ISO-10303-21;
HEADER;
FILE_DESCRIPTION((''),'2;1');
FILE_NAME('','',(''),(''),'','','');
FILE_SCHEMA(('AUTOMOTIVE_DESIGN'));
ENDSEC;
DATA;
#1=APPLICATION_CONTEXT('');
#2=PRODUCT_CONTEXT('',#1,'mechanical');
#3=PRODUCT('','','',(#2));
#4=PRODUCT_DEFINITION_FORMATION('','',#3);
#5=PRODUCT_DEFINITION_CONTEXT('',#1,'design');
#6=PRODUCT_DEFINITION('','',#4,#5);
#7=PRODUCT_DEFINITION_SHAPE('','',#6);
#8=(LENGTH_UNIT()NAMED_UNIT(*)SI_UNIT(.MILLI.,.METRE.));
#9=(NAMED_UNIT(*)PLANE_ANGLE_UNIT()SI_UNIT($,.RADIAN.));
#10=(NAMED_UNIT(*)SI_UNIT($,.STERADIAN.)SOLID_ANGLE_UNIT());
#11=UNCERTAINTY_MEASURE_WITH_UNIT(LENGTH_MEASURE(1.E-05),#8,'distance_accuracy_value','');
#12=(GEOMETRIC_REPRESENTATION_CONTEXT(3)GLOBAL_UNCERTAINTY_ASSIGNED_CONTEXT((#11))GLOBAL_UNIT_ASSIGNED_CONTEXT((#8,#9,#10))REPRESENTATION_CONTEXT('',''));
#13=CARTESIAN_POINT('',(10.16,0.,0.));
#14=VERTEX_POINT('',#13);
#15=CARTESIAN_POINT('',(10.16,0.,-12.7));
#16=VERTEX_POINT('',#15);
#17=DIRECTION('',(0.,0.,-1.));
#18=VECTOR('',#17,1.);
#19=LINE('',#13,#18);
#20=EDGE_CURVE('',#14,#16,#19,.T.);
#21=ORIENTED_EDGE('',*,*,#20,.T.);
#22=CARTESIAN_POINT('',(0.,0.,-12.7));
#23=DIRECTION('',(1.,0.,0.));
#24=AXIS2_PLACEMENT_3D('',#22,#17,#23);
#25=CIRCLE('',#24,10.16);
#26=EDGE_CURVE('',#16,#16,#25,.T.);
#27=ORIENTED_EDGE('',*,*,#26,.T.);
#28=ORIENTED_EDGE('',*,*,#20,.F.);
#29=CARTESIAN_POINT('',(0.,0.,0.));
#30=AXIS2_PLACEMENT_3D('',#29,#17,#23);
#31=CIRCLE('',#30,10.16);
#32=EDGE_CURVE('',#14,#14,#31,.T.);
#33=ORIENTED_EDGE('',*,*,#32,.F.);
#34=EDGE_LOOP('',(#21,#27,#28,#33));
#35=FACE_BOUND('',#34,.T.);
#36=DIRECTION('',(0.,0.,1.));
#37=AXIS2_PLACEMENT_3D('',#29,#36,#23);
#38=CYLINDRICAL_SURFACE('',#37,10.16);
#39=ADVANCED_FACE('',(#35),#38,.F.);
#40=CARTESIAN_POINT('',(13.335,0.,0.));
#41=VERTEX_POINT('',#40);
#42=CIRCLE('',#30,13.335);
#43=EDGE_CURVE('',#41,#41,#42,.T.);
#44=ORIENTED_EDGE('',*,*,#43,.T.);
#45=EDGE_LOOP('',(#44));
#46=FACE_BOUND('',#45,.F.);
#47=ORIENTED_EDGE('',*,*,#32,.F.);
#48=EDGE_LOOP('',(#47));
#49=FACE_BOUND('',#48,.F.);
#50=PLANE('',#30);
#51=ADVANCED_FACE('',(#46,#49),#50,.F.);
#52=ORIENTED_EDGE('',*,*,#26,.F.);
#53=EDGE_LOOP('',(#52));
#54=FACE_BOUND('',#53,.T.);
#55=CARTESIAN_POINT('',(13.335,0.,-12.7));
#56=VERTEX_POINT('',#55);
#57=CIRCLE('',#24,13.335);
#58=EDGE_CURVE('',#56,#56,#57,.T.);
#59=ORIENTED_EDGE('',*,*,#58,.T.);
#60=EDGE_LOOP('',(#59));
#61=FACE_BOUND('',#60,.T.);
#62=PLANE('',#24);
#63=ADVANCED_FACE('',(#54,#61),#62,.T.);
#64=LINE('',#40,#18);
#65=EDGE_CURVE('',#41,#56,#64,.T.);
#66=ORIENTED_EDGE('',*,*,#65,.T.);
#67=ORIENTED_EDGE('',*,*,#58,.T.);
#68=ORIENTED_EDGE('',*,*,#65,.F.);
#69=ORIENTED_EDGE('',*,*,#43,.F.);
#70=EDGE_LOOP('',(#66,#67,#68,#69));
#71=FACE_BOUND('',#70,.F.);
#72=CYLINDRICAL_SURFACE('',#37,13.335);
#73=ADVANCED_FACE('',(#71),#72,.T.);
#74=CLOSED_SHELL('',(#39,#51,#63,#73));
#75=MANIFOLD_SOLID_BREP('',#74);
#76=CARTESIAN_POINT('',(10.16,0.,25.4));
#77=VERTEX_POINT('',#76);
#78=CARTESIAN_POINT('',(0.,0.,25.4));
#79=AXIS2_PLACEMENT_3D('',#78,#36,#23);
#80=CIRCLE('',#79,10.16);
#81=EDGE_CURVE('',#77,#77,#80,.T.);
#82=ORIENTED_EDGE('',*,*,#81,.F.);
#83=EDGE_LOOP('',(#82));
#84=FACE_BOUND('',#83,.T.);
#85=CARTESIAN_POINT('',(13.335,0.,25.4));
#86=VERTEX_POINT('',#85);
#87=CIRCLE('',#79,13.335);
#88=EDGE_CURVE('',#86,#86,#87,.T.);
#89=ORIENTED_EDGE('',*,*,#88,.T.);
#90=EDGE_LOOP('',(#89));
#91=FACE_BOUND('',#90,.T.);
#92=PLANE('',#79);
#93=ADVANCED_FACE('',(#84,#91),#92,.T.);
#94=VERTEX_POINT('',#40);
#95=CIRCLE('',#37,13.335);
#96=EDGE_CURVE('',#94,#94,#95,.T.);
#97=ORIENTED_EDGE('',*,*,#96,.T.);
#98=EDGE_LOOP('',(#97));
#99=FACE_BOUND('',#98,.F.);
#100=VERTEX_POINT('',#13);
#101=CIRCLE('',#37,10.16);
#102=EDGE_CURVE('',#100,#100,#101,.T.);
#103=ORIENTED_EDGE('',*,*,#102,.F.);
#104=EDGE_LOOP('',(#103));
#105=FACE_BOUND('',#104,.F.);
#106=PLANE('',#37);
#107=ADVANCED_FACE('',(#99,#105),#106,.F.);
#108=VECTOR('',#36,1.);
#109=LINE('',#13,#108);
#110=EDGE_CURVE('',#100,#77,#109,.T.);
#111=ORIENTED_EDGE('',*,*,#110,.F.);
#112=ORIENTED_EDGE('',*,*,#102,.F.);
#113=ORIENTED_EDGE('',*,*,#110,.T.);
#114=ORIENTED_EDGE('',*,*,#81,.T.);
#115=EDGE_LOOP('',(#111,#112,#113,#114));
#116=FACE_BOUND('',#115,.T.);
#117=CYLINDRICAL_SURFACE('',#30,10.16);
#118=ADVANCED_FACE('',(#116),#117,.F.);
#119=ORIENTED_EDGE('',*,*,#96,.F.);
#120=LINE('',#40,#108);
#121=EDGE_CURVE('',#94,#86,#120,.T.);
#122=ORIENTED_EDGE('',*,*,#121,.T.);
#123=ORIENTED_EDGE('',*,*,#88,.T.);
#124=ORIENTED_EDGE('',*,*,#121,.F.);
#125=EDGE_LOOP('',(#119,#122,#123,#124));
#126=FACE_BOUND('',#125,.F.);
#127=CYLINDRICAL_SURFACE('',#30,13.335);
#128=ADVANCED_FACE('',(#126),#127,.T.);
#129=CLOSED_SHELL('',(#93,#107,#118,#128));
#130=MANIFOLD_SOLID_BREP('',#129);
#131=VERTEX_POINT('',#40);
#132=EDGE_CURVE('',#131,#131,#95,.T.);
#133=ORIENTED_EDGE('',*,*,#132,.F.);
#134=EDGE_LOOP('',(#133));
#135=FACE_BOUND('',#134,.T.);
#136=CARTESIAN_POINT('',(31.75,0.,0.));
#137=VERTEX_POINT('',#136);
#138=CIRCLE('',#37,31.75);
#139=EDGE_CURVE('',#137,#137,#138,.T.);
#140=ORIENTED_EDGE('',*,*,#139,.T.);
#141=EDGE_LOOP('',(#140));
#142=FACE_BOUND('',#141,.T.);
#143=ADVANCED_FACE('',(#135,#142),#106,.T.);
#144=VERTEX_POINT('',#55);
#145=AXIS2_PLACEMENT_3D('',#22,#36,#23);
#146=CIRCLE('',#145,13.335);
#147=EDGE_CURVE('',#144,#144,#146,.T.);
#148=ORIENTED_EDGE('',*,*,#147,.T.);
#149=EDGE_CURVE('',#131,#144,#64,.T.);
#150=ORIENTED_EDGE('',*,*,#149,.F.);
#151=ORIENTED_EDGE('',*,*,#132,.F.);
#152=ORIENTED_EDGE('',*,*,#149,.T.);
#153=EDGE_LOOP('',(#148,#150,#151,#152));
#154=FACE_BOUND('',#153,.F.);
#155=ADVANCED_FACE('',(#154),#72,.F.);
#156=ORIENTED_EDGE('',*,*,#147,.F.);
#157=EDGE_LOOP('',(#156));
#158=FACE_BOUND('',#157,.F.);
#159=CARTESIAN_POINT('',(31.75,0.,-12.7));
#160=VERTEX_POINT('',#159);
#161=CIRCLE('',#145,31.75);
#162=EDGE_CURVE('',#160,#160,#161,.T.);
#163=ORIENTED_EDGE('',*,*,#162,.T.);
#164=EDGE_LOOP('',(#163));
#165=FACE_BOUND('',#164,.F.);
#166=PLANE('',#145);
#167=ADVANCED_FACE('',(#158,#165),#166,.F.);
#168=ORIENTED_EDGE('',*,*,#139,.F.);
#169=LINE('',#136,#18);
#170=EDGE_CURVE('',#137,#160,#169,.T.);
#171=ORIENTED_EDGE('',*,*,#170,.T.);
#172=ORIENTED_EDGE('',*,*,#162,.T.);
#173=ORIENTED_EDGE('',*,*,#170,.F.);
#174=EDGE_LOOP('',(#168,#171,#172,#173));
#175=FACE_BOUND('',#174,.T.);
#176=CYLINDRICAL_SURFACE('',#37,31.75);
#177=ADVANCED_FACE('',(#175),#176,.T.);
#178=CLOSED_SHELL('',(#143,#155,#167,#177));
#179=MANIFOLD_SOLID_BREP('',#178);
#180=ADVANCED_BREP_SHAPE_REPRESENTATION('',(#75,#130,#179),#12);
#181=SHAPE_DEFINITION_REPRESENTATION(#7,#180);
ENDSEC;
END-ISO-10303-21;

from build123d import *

# Parameters (mm, degrees)
F0_R        = 13.335
F0_R_2      = 10.16
F1_DEPTH    = 25.4
F0_R_3      = 31.75
F2_DEPTH    = 12.7
F1_FACE_R   = 13.335
F1_FACE_R_2 = 10.16
F3_DEPTH    = 12.7


with BuildPart() as f1:
    # F0 (on Top) → F1 (new body)
    with BuildSketch(Plane.XY):
        Circle(F0_R)
        Circle(F0_R_2, mode=Mode.SUBTRACT)
    extrude(amount=F1_DEPTH)


with BuildPart() as f2:
    # F0 (on Top) → F2 (new body)
    with BuildSketch(Plane.XY):
        Circle(F0_R_3)
        Circle(F0_R, mode=Mode.SUBTRACT)
    extrude(amount=-F2_DEPTH)


with BuildPart() as f3:
    # F1_face (on face) → F3 (new body, through all)
    with BuildSketch(Plane(origin=(0, 0, 0), x_dir=(1, 0, 0), z_dir=(0, 0, -1))):
        Circle(F1_FACE_R)
        Circle(F1_FACE_R_2, mode=Mode.SUBTRACT)
    extrude(amount=F3_DEPTH)


solid = Compound([f1.part, f2.part, f3.part])
